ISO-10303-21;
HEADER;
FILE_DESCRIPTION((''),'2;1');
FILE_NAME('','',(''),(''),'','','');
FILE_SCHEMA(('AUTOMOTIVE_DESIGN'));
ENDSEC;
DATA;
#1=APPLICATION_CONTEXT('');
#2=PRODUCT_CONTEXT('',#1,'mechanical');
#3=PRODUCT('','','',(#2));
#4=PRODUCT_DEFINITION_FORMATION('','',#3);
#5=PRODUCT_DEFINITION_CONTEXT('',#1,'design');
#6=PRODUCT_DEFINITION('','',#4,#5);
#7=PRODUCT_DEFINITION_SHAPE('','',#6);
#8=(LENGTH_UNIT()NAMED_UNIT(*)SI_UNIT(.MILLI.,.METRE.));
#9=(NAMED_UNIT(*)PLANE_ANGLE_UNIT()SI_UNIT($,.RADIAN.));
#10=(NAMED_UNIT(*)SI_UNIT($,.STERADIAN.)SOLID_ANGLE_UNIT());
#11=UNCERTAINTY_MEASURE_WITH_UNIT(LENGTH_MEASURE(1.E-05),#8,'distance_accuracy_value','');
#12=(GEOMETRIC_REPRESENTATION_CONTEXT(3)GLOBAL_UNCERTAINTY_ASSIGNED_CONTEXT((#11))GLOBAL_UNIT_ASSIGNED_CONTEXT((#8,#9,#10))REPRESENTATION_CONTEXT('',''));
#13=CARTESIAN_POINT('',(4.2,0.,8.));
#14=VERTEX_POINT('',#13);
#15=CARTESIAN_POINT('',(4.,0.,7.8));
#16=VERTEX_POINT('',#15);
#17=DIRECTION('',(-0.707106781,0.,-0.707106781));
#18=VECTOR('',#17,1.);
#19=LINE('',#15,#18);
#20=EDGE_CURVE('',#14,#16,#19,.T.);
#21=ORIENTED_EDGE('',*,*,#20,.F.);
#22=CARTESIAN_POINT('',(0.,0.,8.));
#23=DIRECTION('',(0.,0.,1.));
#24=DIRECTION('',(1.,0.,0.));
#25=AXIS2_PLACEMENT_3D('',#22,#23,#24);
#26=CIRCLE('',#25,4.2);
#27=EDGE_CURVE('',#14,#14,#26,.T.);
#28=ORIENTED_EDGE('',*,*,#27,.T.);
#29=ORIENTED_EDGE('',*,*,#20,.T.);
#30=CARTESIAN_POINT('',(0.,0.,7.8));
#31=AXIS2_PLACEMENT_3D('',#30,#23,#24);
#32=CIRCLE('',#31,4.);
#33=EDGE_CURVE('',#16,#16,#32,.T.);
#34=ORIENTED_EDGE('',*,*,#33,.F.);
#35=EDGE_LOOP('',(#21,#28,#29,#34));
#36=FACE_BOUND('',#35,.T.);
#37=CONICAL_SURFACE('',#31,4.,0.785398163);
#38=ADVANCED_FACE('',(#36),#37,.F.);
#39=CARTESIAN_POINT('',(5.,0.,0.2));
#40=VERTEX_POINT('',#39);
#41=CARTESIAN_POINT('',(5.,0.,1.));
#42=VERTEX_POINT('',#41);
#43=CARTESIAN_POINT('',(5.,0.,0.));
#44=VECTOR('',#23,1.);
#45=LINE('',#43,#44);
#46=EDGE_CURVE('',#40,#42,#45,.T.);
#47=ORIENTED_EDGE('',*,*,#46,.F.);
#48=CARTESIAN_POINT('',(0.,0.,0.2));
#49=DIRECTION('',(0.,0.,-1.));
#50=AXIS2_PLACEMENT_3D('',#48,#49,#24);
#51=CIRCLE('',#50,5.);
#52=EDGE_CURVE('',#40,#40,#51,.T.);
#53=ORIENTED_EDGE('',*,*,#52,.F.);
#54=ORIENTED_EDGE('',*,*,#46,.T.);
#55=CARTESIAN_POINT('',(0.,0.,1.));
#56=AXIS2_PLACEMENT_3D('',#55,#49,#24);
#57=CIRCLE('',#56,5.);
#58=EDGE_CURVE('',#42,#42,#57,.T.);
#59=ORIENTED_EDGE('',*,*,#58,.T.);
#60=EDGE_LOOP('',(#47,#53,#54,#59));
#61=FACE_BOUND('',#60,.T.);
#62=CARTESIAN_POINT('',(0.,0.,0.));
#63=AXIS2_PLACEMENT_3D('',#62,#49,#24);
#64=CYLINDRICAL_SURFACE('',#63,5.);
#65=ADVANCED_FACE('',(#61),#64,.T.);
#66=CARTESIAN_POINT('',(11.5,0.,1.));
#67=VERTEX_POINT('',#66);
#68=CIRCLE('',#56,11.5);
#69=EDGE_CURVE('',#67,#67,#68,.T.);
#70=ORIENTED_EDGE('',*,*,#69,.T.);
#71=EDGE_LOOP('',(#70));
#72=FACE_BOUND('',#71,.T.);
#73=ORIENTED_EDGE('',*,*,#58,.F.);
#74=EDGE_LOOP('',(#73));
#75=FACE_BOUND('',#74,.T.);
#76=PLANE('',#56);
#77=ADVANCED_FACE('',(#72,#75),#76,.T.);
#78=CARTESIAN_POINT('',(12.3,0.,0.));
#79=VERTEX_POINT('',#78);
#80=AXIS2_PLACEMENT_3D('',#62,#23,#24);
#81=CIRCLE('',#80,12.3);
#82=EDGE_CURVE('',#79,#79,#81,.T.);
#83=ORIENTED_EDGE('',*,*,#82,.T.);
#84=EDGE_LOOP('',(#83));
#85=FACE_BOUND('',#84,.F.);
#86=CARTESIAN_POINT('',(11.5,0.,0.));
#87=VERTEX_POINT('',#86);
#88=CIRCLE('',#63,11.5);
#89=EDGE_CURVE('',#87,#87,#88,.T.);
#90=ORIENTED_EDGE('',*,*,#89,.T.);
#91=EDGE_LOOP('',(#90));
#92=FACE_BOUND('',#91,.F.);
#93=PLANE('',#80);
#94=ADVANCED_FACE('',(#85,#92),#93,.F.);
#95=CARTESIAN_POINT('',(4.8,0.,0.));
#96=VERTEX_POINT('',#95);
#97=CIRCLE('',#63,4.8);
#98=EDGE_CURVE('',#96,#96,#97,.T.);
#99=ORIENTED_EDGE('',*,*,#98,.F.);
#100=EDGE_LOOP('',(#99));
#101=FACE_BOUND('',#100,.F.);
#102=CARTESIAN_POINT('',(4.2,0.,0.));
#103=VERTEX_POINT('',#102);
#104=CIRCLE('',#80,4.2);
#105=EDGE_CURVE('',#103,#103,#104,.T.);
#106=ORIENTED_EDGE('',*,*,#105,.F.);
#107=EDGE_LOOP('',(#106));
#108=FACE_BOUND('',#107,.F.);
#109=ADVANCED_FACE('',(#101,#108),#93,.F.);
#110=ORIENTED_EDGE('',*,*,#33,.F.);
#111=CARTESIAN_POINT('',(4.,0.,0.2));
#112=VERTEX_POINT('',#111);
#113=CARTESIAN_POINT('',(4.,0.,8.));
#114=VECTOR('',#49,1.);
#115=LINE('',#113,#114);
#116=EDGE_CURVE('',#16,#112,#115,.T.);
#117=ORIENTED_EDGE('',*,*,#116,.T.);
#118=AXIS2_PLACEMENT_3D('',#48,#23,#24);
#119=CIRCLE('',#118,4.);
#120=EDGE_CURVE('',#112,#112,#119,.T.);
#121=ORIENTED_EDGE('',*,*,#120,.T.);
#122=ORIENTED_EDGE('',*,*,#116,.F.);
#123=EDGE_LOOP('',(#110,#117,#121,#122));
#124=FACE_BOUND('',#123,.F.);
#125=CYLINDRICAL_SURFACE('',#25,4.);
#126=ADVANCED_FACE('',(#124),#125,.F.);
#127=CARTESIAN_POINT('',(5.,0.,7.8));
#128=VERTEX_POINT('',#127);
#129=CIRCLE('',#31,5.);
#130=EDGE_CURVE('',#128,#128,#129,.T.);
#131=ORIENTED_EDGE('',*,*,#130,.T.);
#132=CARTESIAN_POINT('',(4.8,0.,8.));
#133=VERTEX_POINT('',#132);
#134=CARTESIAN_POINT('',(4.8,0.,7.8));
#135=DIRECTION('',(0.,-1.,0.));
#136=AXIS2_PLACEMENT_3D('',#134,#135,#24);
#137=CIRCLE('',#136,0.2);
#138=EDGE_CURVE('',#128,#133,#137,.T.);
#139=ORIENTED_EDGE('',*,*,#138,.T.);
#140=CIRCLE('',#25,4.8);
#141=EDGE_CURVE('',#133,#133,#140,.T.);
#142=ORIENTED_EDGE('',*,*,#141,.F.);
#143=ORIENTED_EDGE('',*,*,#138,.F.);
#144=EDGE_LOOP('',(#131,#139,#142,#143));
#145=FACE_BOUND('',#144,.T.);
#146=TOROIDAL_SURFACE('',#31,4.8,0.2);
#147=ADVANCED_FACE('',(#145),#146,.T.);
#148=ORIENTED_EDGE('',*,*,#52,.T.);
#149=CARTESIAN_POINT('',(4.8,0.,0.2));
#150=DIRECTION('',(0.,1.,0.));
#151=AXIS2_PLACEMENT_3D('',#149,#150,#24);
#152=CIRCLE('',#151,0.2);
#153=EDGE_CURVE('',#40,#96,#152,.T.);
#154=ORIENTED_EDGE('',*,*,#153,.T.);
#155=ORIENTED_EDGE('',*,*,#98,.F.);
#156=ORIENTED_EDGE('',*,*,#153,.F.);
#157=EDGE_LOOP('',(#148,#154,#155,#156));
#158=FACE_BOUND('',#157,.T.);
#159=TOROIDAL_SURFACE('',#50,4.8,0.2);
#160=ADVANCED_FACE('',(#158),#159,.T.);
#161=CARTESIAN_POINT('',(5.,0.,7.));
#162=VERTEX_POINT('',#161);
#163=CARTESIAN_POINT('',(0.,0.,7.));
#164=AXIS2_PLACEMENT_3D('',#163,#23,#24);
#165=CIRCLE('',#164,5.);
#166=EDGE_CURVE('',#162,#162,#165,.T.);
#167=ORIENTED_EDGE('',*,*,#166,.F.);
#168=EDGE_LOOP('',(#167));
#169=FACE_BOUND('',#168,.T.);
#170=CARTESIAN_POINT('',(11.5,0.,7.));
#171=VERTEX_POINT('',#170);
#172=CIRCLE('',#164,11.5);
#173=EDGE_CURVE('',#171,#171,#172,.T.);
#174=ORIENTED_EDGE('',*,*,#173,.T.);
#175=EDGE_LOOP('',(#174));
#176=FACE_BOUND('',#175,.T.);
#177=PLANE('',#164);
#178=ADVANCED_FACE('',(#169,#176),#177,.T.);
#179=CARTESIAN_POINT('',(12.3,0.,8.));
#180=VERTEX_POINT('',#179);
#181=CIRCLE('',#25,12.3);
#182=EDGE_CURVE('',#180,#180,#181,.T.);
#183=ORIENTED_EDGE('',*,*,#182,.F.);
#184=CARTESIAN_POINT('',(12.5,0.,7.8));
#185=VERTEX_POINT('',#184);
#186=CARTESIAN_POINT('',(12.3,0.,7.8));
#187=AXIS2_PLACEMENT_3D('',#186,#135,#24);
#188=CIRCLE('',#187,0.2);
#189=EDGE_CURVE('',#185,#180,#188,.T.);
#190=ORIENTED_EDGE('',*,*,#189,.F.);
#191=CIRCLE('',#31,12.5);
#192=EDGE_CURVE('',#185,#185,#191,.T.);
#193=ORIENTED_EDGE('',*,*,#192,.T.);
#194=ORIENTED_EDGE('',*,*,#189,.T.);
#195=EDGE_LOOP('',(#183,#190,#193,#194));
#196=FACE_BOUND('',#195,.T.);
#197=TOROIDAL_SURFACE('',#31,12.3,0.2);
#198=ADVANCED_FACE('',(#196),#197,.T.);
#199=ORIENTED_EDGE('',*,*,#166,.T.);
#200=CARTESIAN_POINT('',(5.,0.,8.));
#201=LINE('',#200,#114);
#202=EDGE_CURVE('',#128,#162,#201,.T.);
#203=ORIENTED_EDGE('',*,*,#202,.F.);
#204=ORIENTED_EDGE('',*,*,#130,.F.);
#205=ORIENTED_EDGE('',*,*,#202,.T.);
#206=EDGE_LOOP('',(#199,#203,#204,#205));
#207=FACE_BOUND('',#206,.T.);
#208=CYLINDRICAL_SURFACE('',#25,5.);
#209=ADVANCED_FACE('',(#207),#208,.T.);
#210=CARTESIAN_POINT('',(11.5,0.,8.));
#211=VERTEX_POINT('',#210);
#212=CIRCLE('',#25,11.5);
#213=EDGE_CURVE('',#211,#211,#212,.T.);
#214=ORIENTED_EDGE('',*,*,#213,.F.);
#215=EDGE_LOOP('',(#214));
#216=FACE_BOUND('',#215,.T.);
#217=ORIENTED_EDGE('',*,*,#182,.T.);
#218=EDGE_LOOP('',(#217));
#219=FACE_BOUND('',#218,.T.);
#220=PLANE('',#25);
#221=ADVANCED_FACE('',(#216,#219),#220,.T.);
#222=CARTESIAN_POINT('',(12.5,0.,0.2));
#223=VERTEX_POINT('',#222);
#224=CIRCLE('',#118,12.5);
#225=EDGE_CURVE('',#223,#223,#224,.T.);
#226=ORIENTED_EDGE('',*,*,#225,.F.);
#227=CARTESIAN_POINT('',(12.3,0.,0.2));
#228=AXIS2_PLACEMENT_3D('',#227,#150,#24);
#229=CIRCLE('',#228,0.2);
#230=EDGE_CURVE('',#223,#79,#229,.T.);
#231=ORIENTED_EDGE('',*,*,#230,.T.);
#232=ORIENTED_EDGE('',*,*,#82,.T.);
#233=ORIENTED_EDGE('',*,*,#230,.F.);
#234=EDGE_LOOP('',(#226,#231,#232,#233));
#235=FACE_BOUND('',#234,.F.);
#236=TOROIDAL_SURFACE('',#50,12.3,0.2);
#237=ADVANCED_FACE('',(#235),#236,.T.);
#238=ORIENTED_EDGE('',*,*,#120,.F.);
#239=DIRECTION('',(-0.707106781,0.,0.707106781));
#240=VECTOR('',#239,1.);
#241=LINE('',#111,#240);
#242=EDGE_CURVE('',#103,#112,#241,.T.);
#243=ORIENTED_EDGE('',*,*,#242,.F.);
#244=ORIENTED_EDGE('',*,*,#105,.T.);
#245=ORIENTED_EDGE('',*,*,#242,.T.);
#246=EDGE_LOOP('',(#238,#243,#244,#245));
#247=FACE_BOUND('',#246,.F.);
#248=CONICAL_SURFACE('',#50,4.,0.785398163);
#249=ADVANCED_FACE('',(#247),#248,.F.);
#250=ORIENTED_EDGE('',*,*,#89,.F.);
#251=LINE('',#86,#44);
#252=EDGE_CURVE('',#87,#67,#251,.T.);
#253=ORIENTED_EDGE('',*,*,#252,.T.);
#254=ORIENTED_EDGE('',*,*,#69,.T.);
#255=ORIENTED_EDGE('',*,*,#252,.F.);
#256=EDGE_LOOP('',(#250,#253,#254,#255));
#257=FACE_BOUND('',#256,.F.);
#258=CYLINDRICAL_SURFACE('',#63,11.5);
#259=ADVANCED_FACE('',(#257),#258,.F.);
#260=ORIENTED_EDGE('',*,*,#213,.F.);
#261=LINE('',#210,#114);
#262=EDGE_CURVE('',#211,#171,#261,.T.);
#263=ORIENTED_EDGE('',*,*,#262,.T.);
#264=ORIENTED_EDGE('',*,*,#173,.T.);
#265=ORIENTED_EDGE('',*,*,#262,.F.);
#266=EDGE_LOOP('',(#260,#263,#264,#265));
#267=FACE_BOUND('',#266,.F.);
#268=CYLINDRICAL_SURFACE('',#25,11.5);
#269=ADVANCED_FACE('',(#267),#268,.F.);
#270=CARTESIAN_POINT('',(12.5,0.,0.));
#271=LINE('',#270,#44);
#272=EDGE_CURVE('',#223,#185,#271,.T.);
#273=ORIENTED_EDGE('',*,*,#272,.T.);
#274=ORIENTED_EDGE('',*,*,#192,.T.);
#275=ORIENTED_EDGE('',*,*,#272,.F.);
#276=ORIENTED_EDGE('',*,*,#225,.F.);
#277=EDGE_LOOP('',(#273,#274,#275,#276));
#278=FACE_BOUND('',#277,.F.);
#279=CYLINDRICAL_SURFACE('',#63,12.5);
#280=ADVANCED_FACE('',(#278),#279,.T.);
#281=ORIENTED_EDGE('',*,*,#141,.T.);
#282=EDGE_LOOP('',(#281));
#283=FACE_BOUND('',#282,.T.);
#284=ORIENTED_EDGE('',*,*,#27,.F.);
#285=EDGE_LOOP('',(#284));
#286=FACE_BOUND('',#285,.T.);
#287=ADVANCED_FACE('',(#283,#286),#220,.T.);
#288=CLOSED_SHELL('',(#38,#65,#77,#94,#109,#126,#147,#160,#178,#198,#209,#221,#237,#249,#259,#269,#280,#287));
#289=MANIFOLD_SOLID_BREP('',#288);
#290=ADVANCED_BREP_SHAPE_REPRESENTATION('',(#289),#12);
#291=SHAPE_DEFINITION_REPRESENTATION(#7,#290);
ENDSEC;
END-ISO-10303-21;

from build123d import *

# Parameters (mm, degrees)
F0_R     = 12.5
F1_DEPTH = 8
F2_R     = 4
F3_DEPTH = 8.001
F2_R_2   = 11.5
F2_R_3   = 5
F4_DEPTH = 1
F5_R     = 11.5
F5_R_2   = 5
F6_DEPTH = 1
F7_R     = 0.2
F8_SIZE  = 0.2


with BuildPart() as f1:
    # F0 (on Top) → F1 (new body)
    with BuildSketch(Plane.XY):
        Circle(F0_R)
    extrude(amount=F1_DEPTH)

    # F2 (on face) → F3 (cut, through all)
    with BuildSketch(Plane.XY.offset(8)):
        Circle(F2_R)
    extrude(amount=-F3_DEPTH, mode=Mode.SUBTRACT)

    # F2 (on face) → F4 (cut)
    with BuildSketch(Plane.XY.offset(8)):
        Circle(F2_R_2)
        Circle(F2_R_3, mode=Mode.SUBTRACT)
    extrude(amount=-F4_DEPTH, mode=Mode.SUBTRACT)

    # F5 (on face) → F6 (cut)
    with BuildSketch(Plane(origin=(0, 0, 0), x_dir=(1, 0, 0), z_dir=(0, 0, -1))):
        Circle(F5_R)
        Circle(F5_R_2, mode=Mode.SUBTRACT)
    extrude(amount=-F6_DEPTH, mode=Mode.SUBTRACT)

    # F7
    f7_edges = [f1.edges().sort_by_distance(p)[0] for p in [
        (-12.5, 0, 8),
        (-12.5, 0, 0),
        (-5, 0, 8),
        (-5, 0, 0),
    ]]
    fillet(f7_edges, radius=F7_R)

    # F8
    f8_edges = [f1.edges().sort_by_distance(p)[0] for p in [
        (-4, 0, 8),
        (-4, 0, 0),
    ]]
    chamfer(f8_edges, length=F8_SIZE)


solid = f1.part
